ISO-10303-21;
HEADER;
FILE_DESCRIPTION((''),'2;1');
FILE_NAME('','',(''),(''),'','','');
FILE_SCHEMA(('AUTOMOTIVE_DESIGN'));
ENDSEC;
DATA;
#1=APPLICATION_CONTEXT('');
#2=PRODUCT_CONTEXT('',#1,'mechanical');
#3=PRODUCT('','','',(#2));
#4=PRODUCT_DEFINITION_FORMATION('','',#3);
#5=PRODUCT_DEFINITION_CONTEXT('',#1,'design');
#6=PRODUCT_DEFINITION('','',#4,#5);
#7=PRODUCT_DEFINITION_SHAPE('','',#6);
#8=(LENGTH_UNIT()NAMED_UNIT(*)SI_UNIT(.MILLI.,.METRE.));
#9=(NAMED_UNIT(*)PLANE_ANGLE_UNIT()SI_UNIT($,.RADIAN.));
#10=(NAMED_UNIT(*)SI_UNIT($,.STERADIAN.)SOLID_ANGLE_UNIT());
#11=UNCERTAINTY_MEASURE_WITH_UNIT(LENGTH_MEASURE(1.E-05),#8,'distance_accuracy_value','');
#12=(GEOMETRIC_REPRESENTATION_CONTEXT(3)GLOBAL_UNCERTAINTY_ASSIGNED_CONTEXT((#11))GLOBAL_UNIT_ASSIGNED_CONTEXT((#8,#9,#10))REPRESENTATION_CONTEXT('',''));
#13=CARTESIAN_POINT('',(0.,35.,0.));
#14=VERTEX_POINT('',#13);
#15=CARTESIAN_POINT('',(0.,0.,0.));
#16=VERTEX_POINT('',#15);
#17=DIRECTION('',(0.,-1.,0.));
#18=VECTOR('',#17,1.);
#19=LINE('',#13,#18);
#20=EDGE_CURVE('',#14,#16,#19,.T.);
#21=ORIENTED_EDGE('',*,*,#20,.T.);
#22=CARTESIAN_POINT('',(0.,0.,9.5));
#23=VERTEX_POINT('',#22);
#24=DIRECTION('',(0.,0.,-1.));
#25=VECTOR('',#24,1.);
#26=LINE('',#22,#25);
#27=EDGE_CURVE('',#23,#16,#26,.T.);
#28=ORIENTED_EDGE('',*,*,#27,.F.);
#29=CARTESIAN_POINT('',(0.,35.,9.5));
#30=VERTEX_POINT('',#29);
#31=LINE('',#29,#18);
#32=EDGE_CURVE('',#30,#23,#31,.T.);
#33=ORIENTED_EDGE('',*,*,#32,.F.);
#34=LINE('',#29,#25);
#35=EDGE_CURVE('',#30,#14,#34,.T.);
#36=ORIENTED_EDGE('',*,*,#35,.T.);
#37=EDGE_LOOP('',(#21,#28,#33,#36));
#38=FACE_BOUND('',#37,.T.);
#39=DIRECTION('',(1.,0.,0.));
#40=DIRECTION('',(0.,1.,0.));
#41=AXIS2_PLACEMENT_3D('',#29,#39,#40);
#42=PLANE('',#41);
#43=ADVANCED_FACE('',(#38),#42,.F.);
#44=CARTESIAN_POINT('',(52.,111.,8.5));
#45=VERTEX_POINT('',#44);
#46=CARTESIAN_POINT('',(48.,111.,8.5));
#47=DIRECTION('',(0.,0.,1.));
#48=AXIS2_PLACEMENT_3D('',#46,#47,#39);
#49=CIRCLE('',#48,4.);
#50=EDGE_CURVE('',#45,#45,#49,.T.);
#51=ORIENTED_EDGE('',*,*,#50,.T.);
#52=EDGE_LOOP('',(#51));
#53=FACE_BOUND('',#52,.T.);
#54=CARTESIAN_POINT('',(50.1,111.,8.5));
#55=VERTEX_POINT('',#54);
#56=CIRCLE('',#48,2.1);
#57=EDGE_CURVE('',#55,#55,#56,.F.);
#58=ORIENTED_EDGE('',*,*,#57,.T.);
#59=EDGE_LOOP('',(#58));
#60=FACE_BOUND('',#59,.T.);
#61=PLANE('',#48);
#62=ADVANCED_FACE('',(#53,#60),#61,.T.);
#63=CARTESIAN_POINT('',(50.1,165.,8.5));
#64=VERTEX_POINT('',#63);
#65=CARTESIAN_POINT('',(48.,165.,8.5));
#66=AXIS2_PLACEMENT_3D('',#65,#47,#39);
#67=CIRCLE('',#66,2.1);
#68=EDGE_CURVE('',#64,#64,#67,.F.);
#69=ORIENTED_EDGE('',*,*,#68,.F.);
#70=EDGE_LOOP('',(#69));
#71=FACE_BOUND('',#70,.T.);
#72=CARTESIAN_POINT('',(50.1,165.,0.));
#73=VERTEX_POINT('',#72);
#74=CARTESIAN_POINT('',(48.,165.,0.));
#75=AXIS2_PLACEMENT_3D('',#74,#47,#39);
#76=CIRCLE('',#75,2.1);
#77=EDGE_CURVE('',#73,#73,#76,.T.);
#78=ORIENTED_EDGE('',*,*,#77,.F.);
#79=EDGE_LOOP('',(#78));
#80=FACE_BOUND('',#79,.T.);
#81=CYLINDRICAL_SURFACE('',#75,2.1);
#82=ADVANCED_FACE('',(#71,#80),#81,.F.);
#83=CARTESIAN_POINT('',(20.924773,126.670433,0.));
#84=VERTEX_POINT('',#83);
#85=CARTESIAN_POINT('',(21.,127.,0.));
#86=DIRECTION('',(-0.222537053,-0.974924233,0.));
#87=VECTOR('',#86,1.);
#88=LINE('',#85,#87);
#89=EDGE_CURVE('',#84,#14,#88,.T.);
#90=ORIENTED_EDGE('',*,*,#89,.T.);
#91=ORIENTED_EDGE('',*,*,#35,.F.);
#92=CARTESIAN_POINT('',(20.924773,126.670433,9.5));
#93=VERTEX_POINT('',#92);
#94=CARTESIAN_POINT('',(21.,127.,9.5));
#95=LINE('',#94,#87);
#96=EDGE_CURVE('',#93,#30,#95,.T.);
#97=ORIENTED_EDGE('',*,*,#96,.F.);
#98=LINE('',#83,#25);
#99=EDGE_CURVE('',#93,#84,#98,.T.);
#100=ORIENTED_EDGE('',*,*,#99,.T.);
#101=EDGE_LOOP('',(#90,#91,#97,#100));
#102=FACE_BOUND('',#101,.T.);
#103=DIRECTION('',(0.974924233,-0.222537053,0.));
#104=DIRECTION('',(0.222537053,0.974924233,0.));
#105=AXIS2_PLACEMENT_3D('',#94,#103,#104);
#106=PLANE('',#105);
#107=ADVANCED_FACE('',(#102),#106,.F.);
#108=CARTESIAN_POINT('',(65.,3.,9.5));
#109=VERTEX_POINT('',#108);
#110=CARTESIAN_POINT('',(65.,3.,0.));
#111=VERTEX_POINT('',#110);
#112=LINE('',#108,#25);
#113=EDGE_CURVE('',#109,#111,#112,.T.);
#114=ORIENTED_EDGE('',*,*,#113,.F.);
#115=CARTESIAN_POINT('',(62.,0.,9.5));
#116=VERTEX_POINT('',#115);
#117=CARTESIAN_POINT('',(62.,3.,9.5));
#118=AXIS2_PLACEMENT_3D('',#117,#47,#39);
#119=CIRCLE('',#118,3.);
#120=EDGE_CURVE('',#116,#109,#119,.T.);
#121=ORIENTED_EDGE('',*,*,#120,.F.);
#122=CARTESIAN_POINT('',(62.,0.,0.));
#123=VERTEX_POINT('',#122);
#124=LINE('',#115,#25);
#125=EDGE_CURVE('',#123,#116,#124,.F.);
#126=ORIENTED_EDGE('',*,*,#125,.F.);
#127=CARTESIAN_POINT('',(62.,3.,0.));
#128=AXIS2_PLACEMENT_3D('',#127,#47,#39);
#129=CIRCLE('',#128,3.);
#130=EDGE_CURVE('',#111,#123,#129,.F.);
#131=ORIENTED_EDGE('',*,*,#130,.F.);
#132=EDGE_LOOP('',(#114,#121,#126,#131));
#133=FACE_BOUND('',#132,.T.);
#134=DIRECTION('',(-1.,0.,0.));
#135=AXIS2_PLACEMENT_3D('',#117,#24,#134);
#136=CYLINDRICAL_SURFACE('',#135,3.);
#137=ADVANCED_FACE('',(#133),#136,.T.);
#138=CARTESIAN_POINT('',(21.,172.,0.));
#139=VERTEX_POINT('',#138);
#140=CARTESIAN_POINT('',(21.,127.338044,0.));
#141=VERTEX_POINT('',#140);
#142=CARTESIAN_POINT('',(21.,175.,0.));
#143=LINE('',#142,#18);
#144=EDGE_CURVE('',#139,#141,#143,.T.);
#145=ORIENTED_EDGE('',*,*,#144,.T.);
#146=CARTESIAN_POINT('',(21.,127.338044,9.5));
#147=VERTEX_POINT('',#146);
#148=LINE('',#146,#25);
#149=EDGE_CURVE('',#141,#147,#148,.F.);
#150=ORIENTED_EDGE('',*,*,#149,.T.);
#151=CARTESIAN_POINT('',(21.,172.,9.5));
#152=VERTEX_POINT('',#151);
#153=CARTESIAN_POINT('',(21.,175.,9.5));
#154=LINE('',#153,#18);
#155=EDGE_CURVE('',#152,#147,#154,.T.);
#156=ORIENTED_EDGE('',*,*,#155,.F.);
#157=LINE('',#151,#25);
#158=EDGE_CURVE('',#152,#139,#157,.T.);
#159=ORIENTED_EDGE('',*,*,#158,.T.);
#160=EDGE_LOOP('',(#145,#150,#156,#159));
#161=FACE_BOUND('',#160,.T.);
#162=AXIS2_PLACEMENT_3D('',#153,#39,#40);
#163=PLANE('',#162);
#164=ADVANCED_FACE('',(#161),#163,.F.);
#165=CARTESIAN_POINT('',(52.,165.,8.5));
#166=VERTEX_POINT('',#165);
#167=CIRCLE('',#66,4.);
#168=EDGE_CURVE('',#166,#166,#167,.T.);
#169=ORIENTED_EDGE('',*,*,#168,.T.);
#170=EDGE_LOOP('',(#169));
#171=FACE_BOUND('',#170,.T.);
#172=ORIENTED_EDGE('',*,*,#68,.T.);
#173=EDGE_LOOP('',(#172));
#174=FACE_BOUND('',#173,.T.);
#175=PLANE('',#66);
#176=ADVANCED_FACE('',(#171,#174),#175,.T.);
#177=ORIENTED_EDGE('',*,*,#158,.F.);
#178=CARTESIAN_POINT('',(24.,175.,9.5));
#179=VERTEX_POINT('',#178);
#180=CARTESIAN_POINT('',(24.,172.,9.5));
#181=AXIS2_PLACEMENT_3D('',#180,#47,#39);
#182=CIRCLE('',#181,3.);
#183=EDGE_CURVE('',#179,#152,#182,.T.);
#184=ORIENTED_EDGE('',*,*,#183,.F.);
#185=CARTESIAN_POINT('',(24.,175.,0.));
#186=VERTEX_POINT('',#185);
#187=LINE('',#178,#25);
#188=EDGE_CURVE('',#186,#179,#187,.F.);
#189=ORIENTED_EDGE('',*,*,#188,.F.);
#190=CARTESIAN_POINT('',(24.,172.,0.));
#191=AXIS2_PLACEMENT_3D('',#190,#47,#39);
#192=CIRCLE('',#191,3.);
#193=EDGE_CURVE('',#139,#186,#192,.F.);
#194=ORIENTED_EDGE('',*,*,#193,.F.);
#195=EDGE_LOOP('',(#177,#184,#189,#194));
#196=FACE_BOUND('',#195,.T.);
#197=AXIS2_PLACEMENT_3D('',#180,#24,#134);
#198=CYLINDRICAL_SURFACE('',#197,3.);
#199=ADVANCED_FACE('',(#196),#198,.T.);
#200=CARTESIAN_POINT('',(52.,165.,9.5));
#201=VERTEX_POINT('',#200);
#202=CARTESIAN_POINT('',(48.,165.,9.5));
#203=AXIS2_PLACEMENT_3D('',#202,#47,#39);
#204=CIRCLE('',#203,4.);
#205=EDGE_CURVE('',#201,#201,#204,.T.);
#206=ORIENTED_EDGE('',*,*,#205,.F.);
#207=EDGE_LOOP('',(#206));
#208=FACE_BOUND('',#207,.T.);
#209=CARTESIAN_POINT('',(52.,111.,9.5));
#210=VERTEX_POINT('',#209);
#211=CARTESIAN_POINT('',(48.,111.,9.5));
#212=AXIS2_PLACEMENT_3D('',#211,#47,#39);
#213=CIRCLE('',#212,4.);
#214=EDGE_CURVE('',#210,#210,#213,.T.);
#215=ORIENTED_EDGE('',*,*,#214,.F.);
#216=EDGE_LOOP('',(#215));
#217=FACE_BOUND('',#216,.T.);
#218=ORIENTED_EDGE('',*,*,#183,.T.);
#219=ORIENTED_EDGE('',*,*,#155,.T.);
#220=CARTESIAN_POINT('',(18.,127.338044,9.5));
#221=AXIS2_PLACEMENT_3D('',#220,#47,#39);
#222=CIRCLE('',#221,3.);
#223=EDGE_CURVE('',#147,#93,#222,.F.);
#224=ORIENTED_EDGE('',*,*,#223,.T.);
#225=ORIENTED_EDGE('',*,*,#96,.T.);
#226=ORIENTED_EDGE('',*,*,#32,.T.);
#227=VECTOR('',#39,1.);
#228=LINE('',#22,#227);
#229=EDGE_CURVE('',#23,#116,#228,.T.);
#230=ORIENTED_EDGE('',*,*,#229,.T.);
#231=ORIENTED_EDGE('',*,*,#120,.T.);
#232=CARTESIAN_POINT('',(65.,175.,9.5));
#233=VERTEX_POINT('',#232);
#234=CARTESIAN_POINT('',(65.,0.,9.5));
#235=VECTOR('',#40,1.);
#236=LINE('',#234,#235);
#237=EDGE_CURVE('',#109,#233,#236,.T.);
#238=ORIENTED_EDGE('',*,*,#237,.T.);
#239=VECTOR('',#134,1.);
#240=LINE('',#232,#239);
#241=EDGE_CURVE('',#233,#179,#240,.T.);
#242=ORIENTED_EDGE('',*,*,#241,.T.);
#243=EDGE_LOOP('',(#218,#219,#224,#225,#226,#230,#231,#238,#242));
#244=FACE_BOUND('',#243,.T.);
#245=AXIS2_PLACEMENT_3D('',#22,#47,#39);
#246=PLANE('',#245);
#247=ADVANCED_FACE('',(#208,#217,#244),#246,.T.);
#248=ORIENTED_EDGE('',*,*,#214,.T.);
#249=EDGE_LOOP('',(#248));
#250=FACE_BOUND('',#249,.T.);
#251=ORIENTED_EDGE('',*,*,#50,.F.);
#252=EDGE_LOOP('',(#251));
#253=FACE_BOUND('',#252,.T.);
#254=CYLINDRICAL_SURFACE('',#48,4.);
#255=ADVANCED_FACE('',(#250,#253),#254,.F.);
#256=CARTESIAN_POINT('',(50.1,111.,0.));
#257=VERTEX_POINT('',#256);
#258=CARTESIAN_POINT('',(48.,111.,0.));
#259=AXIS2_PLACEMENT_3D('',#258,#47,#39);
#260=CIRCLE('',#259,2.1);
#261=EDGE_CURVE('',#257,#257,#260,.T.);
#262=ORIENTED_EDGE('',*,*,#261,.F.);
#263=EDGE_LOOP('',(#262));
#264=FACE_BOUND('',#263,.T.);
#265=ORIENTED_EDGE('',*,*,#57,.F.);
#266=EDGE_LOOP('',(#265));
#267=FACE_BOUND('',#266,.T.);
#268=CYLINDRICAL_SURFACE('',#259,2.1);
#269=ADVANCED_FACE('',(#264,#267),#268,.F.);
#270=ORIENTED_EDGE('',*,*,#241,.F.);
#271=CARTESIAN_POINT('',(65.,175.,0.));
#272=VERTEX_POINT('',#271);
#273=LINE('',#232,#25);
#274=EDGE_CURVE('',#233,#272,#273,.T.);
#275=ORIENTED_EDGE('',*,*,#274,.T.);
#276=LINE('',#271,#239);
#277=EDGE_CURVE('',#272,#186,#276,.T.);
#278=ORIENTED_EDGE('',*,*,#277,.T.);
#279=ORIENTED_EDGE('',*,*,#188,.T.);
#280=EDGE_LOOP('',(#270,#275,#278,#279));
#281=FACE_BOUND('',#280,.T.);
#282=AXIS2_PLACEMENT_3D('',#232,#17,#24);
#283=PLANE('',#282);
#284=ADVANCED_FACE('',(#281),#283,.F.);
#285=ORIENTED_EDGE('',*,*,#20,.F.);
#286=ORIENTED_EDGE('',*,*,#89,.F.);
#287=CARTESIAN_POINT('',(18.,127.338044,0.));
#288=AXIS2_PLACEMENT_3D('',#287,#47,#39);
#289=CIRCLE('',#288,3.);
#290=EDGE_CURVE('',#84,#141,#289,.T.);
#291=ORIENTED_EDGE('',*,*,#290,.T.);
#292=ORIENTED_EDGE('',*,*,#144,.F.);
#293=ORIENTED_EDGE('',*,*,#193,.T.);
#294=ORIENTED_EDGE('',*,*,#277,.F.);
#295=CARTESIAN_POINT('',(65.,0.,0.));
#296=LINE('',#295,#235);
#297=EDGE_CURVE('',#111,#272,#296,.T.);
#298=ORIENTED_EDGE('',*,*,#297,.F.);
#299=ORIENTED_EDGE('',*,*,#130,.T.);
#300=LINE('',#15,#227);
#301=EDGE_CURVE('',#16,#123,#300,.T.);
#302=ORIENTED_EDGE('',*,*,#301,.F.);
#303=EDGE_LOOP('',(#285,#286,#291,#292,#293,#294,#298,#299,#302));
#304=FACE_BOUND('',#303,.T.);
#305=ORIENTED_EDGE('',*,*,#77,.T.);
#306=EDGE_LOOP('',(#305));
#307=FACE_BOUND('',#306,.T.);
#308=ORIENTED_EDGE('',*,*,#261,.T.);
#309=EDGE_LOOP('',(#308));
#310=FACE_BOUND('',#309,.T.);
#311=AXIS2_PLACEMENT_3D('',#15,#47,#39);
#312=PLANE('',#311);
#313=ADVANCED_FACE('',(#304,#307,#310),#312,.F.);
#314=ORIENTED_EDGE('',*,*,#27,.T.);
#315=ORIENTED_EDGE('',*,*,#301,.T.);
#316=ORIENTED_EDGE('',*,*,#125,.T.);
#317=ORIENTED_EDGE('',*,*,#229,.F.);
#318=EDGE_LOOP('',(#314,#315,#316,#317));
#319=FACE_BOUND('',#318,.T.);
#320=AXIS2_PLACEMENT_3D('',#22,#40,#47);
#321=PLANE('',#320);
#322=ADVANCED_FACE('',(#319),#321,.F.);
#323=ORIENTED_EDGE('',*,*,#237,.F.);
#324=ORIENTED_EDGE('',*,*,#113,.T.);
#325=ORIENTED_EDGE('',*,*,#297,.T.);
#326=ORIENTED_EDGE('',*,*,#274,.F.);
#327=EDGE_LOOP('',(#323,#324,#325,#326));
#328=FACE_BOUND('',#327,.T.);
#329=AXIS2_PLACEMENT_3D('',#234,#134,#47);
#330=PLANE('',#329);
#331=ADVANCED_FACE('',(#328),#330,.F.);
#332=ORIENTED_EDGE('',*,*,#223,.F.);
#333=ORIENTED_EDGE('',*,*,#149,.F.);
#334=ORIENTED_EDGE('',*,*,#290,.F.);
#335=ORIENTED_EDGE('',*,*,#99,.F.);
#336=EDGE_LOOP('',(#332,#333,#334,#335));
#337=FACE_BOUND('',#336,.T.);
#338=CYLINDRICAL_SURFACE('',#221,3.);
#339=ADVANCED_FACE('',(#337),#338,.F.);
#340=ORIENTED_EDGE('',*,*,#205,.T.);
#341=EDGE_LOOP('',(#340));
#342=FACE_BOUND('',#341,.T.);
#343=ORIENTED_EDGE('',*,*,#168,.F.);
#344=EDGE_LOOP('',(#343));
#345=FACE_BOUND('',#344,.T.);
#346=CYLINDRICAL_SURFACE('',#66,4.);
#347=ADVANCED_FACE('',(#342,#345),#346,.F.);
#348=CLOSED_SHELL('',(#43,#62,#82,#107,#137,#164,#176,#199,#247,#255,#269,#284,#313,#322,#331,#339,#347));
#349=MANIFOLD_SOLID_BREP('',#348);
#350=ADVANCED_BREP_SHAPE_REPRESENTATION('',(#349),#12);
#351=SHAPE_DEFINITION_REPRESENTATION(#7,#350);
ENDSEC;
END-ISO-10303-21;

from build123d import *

# Parameters (mm, degrees)
EXTRUDE_4_DEPTH     = 9.5
SKETCH_11_R         = 2.1
CUT_EXTRUDE_8_DEPTH = 187.923112536
SKETCH_12_R         = 4
CUT_EXTRUDE_9_DEPTH = 1
FILLET_7_R          = 3


with BuildPart() as part:
    # 草图10 → 凸台-拉伸4 (new body)
    with BuildSketch(Plane.XY):
        Polygon((0, 0), (65, 0), (65, 175), (21, 175), (21, 127), (0, 35), align=None)
    extrude(amount=EXTRUDE_4_DEPTH)

    # 草图11 → 切除-拉伸8 (cut, through all)
    with BuildSketch(Plane.XY.offset(9.5)):
        with Locations((48, 165)):
            Circle(SKETCH_11_R)
        with Locations((48, 111)):
            Circle(SKETCH_11_R)
    extrude(amount=-CUT_EXTRUDE_8_DEPTH, mode=Mode.SUBTRACT)

    # 草图12 → 切除-拉伸9 (cut)
    with BuildSketch(Plane.XY.offset(9.5)):
        with Locations((48, 165)):
            Circle(SKETCH_12_R)
        with Locations((48, 111)):
            Circle(SKETCH_12_R)
    extrude(amount=-CUT_EXTRUDE_9_DEPTH, mode=Mode.SUBTRACT)

    # 圆角7
    fillet_7_edges = [part.edges().sort_by_distance(p)[0] for p in [
        (21, 175, 4.75),
        (65, 0, 4.75),
        (21, 127, 4.75),
    ]]
    fillet(fillet_7_edges, radius=FILLET_7_R)


solid = part.part
